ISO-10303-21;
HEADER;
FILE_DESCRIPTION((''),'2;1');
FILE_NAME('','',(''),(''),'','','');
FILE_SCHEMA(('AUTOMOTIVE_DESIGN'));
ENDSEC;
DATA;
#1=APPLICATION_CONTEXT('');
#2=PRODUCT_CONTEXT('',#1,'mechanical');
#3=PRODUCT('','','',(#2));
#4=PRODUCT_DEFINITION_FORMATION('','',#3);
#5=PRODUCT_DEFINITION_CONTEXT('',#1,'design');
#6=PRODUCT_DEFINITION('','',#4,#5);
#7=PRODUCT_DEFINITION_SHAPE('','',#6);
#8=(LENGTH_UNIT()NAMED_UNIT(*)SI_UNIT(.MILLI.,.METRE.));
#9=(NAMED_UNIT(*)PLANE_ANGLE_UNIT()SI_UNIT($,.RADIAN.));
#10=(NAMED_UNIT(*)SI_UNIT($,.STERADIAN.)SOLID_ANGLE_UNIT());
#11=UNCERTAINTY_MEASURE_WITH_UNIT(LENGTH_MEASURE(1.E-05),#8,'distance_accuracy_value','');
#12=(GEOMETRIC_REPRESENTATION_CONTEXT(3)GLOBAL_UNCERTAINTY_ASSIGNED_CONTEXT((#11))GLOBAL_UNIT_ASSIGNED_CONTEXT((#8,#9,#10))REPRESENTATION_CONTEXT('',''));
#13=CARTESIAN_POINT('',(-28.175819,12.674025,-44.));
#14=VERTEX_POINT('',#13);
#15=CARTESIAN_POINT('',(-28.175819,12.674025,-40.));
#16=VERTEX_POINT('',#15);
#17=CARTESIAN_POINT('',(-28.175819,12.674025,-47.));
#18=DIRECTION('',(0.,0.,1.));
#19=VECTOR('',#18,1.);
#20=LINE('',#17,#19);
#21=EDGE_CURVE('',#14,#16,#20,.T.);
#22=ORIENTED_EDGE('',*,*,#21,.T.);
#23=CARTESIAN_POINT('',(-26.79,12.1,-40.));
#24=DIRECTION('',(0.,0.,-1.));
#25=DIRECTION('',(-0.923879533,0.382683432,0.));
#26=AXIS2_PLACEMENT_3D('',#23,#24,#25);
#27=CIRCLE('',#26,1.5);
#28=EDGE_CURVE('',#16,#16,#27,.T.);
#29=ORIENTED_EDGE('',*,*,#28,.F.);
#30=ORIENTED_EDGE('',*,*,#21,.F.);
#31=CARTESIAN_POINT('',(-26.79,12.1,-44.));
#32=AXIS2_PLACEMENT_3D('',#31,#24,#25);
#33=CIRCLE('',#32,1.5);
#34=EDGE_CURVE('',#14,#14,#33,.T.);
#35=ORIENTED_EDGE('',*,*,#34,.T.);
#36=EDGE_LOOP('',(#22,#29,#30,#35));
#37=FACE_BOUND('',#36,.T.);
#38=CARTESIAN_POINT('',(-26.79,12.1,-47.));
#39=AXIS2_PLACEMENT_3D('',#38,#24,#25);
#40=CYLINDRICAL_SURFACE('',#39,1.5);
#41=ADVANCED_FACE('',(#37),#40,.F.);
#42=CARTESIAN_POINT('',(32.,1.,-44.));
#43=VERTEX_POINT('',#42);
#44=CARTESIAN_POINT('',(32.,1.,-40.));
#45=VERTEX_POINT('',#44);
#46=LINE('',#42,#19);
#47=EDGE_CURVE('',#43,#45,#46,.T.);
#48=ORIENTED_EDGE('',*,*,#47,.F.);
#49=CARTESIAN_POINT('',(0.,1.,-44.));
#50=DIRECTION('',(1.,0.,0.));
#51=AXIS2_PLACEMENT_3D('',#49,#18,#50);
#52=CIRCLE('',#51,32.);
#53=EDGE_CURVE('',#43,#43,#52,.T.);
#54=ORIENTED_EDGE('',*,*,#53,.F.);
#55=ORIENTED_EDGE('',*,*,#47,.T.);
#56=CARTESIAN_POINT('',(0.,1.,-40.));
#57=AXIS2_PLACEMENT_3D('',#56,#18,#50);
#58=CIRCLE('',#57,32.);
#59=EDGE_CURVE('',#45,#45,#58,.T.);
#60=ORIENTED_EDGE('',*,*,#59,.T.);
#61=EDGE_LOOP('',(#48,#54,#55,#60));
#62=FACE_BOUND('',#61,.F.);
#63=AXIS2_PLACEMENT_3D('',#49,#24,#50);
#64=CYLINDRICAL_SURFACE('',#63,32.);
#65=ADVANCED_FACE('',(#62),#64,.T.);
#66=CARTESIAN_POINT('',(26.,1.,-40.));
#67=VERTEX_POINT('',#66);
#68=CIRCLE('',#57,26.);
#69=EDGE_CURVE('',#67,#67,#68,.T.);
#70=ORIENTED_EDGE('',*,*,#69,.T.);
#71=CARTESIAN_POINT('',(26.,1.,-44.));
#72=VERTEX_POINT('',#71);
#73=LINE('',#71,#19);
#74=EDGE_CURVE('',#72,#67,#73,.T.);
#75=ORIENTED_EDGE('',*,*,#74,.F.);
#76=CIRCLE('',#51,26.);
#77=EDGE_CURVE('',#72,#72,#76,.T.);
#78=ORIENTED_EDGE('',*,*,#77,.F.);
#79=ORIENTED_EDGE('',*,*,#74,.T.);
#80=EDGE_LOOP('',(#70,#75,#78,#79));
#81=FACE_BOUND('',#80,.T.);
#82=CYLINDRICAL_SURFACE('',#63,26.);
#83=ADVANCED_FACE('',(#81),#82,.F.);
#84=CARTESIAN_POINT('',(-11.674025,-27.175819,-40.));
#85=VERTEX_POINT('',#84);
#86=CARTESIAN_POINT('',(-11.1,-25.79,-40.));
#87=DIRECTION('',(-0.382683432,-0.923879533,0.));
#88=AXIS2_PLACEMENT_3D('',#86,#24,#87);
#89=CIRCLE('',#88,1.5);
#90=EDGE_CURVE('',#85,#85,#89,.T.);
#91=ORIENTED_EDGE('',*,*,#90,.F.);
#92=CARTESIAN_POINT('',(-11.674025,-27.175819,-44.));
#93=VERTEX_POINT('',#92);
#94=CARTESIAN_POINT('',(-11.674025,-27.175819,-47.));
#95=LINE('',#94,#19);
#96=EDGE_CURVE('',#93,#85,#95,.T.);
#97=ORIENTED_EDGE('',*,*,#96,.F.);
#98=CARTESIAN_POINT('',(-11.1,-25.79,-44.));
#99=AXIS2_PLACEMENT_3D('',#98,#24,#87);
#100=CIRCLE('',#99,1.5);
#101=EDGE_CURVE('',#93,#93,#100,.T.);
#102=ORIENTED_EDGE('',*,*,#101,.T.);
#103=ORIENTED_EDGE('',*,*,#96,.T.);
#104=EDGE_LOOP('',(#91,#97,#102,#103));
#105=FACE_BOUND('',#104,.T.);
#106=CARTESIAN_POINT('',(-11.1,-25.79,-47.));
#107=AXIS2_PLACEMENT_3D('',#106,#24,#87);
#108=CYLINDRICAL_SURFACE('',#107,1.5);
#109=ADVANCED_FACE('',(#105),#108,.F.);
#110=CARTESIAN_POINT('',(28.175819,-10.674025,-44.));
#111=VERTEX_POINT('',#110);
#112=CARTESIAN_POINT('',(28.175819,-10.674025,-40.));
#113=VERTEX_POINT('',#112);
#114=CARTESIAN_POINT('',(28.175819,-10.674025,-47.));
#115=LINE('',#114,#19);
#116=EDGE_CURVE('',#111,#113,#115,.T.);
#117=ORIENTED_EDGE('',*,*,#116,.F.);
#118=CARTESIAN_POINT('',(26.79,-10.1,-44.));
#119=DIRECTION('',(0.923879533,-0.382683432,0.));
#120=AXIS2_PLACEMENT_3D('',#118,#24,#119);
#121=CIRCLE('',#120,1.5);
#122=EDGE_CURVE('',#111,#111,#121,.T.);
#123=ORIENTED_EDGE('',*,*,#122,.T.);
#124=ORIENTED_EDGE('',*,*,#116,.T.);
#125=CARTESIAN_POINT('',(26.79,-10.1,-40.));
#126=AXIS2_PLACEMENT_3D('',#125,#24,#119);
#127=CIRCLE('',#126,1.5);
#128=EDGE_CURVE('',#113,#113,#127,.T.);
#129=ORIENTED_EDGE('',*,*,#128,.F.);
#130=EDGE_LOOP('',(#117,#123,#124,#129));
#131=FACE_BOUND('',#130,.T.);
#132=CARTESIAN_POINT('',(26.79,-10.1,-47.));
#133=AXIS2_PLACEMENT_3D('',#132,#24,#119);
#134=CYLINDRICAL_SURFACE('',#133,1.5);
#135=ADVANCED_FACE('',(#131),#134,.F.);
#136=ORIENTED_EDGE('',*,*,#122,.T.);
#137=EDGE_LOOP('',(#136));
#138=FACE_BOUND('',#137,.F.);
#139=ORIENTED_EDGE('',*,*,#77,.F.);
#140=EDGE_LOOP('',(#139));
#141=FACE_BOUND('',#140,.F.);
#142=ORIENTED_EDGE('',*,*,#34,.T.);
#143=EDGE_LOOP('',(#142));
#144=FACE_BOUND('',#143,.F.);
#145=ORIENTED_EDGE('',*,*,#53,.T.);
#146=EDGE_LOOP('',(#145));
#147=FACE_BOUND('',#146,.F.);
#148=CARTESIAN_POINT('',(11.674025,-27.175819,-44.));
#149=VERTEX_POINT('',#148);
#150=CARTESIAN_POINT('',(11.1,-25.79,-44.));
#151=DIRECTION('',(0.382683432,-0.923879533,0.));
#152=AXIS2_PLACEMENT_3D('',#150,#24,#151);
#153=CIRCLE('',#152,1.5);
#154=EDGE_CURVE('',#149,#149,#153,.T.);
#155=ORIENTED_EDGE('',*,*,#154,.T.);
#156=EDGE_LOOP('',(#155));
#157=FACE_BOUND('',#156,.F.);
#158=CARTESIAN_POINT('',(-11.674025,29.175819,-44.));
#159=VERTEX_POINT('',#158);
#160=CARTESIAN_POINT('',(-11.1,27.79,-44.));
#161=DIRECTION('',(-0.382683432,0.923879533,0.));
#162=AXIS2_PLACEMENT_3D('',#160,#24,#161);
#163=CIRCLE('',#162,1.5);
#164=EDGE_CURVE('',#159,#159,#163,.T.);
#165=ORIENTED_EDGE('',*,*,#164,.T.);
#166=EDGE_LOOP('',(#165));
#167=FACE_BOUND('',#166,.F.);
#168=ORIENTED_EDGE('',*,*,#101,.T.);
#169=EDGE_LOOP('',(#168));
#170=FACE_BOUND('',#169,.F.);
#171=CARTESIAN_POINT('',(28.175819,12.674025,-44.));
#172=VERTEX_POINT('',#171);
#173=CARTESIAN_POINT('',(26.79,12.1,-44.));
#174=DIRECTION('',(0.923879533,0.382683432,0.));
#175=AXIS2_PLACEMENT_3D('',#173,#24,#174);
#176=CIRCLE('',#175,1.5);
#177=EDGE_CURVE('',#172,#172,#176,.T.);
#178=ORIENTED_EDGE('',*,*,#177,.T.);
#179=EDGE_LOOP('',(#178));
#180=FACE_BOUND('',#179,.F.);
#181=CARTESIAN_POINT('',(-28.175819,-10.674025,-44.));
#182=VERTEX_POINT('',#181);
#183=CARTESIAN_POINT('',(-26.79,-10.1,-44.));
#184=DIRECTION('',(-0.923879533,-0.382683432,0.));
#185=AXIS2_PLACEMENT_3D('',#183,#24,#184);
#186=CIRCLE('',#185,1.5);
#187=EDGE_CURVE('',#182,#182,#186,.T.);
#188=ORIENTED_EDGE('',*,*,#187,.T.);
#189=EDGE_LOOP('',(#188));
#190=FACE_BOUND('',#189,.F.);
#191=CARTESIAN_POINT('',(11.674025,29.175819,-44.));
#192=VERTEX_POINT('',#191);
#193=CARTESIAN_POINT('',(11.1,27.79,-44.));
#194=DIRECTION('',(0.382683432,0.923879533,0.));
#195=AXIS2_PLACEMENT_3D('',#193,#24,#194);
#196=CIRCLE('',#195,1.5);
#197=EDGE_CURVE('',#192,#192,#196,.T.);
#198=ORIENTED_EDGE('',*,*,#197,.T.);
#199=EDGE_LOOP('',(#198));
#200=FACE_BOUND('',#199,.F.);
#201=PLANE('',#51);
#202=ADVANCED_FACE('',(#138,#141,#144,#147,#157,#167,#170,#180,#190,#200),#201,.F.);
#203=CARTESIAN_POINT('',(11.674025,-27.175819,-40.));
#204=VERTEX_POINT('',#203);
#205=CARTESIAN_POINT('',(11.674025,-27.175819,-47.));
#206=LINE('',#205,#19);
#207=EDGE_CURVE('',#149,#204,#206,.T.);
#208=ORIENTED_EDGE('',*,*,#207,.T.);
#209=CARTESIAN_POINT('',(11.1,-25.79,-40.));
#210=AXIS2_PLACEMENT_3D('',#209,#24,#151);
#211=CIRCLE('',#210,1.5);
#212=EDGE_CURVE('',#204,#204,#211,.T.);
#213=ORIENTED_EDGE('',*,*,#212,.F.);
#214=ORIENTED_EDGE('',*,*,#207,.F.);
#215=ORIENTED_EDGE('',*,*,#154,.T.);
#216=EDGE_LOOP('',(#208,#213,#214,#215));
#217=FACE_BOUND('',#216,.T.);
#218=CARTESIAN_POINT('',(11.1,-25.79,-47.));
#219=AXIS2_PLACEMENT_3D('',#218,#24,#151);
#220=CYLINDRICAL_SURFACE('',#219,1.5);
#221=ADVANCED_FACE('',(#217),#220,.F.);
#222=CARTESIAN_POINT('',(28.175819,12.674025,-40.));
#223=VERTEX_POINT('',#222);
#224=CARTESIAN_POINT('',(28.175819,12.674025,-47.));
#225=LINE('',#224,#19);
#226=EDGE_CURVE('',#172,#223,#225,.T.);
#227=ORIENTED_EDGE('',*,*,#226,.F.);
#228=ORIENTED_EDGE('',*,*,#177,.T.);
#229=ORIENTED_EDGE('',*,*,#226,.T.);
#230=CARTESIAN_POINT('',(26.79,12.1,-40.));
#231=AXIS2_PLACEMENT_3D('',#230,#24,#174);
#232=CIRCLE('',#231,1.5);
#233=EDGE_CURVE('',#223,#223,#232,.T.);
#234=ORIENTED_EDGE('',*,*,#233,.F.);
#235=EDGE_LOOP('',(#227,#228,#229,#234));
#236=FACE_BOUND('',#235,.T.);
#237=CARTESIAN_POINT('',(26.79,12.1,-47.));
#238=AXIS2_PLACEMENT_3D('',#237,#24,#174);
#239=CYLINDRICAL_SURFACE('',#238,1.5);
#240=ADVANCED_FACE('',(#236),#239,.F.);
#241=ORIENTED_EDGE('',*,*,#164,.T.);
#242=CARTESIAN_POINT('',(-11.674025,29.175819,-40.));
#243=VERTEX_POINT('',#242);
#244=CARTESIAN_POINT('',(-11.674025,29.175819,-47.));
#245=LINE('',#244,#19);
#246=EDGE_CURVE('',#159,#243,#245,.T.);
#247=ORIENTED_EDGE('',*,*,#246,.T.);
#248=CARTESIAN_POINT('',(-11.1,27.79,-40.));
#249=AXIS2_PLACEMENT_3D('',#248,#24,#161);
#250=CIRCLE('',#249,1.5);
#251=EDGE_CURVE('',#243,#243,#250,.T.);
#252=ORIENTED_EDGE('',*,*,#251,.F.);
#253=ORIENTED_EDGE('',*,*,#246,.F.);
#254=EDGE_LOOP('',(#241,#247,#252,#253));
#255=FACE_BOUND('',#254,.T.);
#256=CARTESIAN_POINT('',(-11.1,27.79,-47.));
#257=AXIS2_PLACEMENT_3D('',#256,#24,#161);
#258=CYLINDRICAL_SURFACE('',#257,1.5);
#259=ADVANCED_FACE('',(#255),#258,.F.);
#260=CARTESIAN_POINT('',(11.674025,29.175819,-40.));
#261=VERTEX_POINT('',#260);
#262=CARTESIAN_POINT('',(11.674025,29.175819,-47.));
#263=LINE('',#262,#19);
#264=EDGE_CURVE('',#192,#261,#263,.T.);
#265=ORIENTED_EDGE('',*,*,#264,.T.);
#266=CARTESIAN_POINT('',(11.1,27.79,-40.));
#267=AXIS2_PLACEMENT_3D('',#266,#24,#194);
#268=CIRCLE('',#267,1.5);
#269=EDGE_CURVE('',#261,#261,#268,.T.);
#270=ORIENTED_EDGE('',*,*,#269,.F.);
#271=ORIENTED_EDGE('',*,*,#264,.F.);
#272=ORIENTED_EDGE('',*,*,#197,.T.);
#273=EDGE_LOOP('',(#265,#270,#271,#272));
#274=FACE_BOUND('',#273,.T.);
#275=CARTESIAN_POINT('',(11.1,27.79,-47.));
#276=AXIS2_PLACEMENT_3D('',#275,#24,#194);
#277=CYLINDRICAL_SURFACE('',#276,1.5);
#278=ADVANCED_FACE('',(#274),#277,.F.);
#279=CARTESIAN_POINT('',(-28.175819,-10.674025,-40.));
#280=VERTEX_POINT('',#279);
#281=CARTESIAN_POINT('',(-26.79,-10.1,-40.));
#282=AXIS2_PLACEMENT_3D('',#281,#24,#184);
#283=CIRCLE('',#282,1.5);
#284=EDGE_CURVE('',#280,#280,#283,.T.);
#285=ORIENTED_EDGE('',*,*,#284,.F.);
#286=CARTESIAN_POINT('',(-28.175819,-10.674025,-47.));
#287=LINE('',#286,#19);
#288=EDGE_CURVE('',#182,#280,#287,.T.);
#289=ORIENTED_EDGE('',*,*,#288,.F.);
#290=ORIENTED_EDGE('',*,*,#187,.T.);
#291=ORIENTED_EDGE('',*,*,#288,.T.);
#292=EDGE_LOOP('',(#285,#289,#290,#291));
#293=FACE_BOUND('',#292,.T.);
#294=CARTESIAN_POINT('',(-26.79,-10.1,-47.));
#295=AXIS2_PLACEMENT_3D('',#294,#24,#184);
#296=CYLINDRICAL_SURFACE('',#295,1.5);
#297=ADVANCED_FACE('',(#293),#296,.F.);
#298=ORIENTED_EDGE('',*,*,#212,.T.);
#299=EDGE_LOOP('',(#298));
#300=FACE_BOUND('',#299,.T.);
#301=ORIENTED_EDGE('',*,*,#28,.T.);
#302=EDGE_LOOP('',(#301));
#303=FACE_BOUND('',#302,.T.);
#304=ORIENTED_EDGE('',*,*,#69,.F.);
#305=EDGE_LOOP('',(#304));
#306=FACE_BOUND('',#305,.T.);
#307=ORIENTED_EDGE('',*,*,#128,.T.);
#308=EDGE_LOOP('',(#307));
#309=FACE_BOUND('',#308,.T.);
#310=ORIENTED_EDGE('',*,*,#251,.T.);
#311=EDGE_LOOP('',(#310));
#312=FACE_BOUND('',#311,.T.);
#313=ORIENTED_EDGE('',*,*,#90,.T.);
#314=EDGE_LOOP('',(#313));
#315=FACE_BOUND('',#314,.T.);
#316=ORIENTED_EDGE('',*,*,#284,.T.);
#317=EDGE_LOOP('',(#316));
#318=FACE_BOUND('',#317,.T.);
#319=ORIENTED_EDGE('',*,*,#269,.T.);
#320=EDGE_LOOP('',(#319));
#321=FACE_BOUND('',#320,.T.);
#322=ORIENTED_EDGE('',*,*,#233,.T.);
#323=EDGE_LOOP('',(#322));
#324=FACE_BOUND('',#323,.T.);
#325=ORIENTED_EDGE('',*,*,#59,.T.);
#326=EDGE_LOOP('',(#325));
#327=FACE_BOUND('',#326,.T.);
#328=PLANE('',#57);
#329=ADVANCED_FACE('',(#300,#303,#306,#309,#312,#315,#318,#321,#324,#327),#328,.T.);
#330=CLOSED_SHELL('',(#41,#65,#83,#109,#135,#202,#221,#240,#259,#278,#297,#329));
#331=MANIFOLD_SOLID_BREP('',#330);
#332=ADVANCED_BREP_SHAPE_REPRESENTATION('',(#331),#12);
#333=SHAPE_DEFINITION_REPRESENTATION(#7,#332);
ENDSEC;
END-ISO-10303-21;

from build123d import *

# Parameters (mm, degrees)
CYLINDER1907_R               = 3
CYLINDER1907_DEPTH           = 3
CYLINDER1907_PLACEMENT_ANGLE = 67.5
CYLINDER1905_R               = 3
CYLINDER1905_DEPTH           = 3
CYLINDER1905_PLACEMENT_ANGLE = 112.5
CYLINDER1297_R               = 3
CYLINDER1297_DEPTH           = 3
CYLINDER1297_PLACEMENT_ANGLE = 157.5
CYLINDER1908_R               = 3
CYLINDER1908_DEPTH           = 3
CYLINDER1908_PLACEMENT_ANGLE = 202.5
CYLINDER1296_R               = 3
CYLINDER1296_DEPTH           = 3
CYLINDER1296_PLACEMENT_ANGLE = 112.5
CYLINDER1906_R               = 3
CYLINDER1906_DEPTH           = 3
CYLINDER1906_PLACEMENT_ANGLE = 67.5
CYLINDER1298_R               = 3
CYLINDER1298_DEPTH           = 3
CYLINDER1298_PLACEMENT_ANGLE = 22.5
CYLINDER1904_R               = 3
CYLINDER1904_DEPTH           = 3
CYLINDER1904_PLACEMENT_ANGLE = 22.5
CYLINDER1896_R               = 1.5
CYLINDER1896_DEPTH           = 20
CYLINDER1896_PLACEMENT_ANGLE = 67.5
CYLINDER1899_R               = 1.5
CYLINDER1899_DEPTH           = 20
CYLINDER1899_PLACEMENT_ANGLE = 112.5
CYLINDER1902_R               = 1.5
CYLINDER1902_DEPTH           = 20
CYLINDER1902_PLACEMENT_ANGLE = 157.5
CYLINDER1903_R               = 1.5
CYLINDER1903_DEPTH           = 20
CYLINDER1903_PLACEMENT_ANGLE = 202.5
CYLINDER1900_R               = 1.5
CYLINDER1900_DEPTH           = 20
CYLINDER1900_PLACEMENT_ANGLE = 112.5
CYLINDER1897_R               = 1.5
CYLINDER1897_DEPTH           = 20
CYLINDER1897_PLACEMENT_ANGLE = 67.5
CYLINDER1901_R               = 1.5
CYLINDER1901_DEPTH           = 20
CYLINDER1901_PLACEMENT_ANGLE = 22.5
CYLINDER1898_R               = 1.5
CYLINDER1898_DEPTH           = 20
CYLINDER1898_PLACEMENT_ANGLE = 22.5
TUBE012_R                    = 32
TUBE012_R_2                  = 26
TUBE012_DEPTH                = 4


with BuildPart() as v_lec1907:
    # Cylinder1907 → Cylinder1907 (new body)
    with BuildSketch(Plane.XY):
        Circle(CYLINDER1907_R)
    extrude(amount=CYLINDER1907_DEPTH)


with BuildPart() as v_lec1907_1:
    # Cylinder1907 placement: moved
    add(v_lec1907.part.moved(Location((11.1, 26.79, -50))).rotate(Axis((11.1, 26.79, -50), (0, 0, 1)), CYLINDER1907_PLACEMENT_ANGLE))


with BuildPart() as v_lec1905:
    # Cylinder1905 → Cylinder1905 (new body)
    with BuildSketch(Plane.XY):
        Circle(CYLINDER1905_R)
    extrude(amount=CYLINDER1905_DEPTH)


with BuildPart() as v_lec1905_1:
    # Cylinder1905 placement: moved
    add(v_lec1905.part.moved(Location((-11.1, 26.79, -50))).rotate(Axis((-11.1, 26.79, -50), (0, 0, 1)), CYLINDER1905_PLACEMENT_ANGLE))


with BuildPart() as v_lec1297:
    # Cylinder1297 → Cylinder1297 (new body)
    with BuildSketch(Plane.XY):
        Circle(CYLINDER1297_R)
    extrude(amount=CYLINDER1297_DEPTH)


with BuildPart() as v_lec1297_1:
    # Cylinder1297 placement: moved
    add(v_lec1297.part.moved(Location((-26.79, 11.1, -50))).rotate(Axis((-26.79, 11.1, -50), (0, 0, 1)), CYLINDER1297_PLACEMENT_ANGLE))


with BuildPart() as v_lec1908:
    # Cylinder1908 → Cylinder1908 (new body)
    with BuildSketch(Plane.XY):
        Circle(CYLINDER1908_R)
    extrude(amount=CYLINDER1908_DEPTH)


with BuildPart() as v_lec1908_1:
    # Cylinder1908 placement: moved
    add(v_lec1908.part.moved(Location((-26.79, -11.1, -50))).rotate(Axis((-26.79, -11.1, -50), (0, 0, 1)), CYLINDER1908_PLACEMENT_ANGLE))


with BuildPart() as v_lec1296:
    # Cylinder1296 → Cylinder1296 (new body)
    with BuildSketch(Plane.XY):
        Circle(CYLINDER1296_R)
    extrude(amount=CYLINDER1296_DEPTH)


with BuildPart() as v_lec1296_1:
    # Cylinder1296 placement: moved
    add(v_lec1296.part.moved(Location((-11.1, -26.79, -50))).rotate(Axis((-11.1, -26.79, -50), (0, 0, -1)), CYLINDER1296_PLACEMENT_ANGLE))


with BuildPart() as v_lec1906:
    # Cylinder1906 → Cylinder1906 (new body)
    with BuildSketch(Plane.XY):
        Circle(CYLINDER1906_R)
    extrude(amount=CYLINDER1906_DEPTH)


with BuildPart() as v_lec1906_1:
    # Cylinder1906 placement: moved
    add(v_lec1906.part.moved(Location((11.1, -26.79, -50))).rotate(Axis((11.1, -26.79, -50), (0, 0, -1)), CYLINDER1906_PLACEMENT_ANGLE))


with BuildPart() as v_lec1298:
    # Cylinder1298 → Cylinder1298 (new body)
    with BuildSketch(Plane.XY):
        Circle(CYLINDER1298_R)
    extrude(amount=CYLINDER1298_DEPTH)


with BuildPart() as v_lec1298_1:
    # Cylinder1298 placement: moved
    add(v_lec1298.part.moved(Location((26.79, -11.1, -50))).rotate(Axis((26.79, -11.1, -50), (0, 0, -1)), CYLINDER1298_PLACEMENT_ANGLE))


with BuildPart() as compound856:
    # Cylinder1904 → Cylinder1904 (new body)
    with BuildSketch(Plane.XY):
        Circle(CYLINDER1904_R)
    extrude(amount=CYLINDER1904_DEPTH)


with BuildPart() as compound856_1:
    # Cylinder1904 placement: moved
    add(compound856.part.moved(Location((26.79, 11.1, -50))).rotate(Axis((26.79, 11.1, -50), (0, 0, 1)), CYLINDER1904_PLACEMENT_ANGLE))

    # Compound856: union Válec1907, Válec1905, Válec1297, Válec1908, Válec1296, Válec1906, Válec1298
    add(v_lec1907_1.part)
    add(v_lec1905_1.part)
    add(v_lec1297_1.part)
    add(v_lec1908_1.part)
    add(v_lec1296_1.part)
    add(v_lec1906_1.part)
    add(v_lec1298_1.part)


with BuildPart() as v_lec1896:
    # Cylinder1896 → Cylinder1896 (new body)
    with BuildSketch(Plane.XY):
        Circle(CYLINDER1896_R)
    extrude(amount=CYLINDER1896_DEPTH)


with BuildPart() as v_lec1896_1:
    # Cylinder1896 placement: moved
    add(v_lec1896.part.moved(Location((11.1, 26.79, -50))).rotate(Axis((11.1, 26.79, -50), (0, 0, 1)), CYLINDER1896_PLACEMENT_ANGLE))


with BuildPart() as v_lec1899:
    # Cylinder1899 → Cylinder1899 (new body)
    with BuildSketch(Plane.XY):
        Circle(CYLINDER1899_R)
    extrude(amount=CYLINDER1899_DEPTH)


with BuildPart() as v_lec1899_1:
    # Cylinder1899 placement: moved
    add(v_lec1899.part.moved(Location((-11.1, 26.79, -50))).rotate(Axis((-11.1, 26.79, -50), (0, 0, 1)), CYLINDER1899_PLACEMENT_ANGLE))


with BuildPart() as v_lec1902:
    # Cylinder1902 → Cylinder1902 (new body)
    with BuildSketch(Plane.XY):
        Circle(CYLINDER1902_R)
    extrude(amount=CYLINDER1902_DEPTH)


with BuildPart() as v_lec1902_1:
    # Cylinder1902 placement: moved
    add(v_lec1902.part.moved(Location((-26.79, 11.1, -50))).rotate(Axis((-26.79, 11.1, -50), (0, 0, 1)), CYLINDER1902_PLACEMENT_ANGLE))


with BuildPart() as v_lec1903:
    # Cylinder1903 → Cylinder1903 (new body)
    with BuildSketch(Plane.XY):
        Circle(CYLINDER1903_R)
    extrude(amount=CYLINDER1903_DEPTH)


with BuildPart() as v_lec1903_1:
    # Cylinder1903 placement: moved
    add(v_lec1903.part.moved(Location((-26.79, -11.1, -50))).rotate(Axis((-26.79, -11.1, -50), (0, 0, 1)), CYLINDER1903_PLACEMENT_ANGLE))


with BuildPart() as v_lec1900:
    # Cylinder1900 → Cylinder1900 (new body)
    with BuildSketch(Plane.XY):
        Circle(CYLINDER1900_R)
    extrude(amount=CYLINDER1900_DEPTH)


with BuildPart() as v_lec1900_1:
    # Cylinder1900 placement: moved
    add(v_lec1900.part.moved(Location((-11.1, -26.79, -50))).rotate(Axis((-11.1, -26.79, -50), (0, 0, -1)), CYLINDER1900_PLACEMENT_ANGLE))


with BuildPart() as v_lec1897:
    # Cylinder1897 → Cylinder1897 (new body)
    with BuildSketch(Plane.XY):
        Circle(CYLINDER1897_R)
    extrude(amount=CYLINDER1897_DEPTH)


with BuildPart() as v_lec1897_1:
    # Cylinder1897 placement: moved
    add(v_lec1897.part.moved(Location((11.1, -26.79, -50))).rotate(Axis((11.1, -26.79, -50), (0, 0, -1)), CYLINDER1897_PLACEMENT_ANGLE))


with BuildPart() as v_lec1901:
    # Cylinder1901 → Cylinder1901 (new body)
    with BuildSketch(Plane.XY):
        Circle(CYLINDER1901_R)
    extrude(amount=CYLINDER1901_DEPTH)


with BuildPart() as v_lec1901_1:
    # Cylinder1901 placement: moved
    add(v_lec1901.part.moved(Location((26.79, -11.1, -50))).rotate(Axis((26.79, -11.1, -50), (0, 0, -1)), CYLINDER1901_PLACEMENT_ANGLE))


with BuildPart() as compound855:
    # Cylinder1898 → Cylinder1898 (new body)
    with BuildSketch(Plane.XY):
        Circle(CYLINDER1898_R)
    extrude(amount=CYLINDER1898_DEPTH)


with BuildPart() as compound855_1:
    # Cylinder1898 placement: moved
    add(compound855.part.moved(Location((26.79, 11.1, -50))).rotate(Axis((26.79, 11.1, -50), (0, 0, 1)), CYLINDER1898_PLACEMENT_ANGLE))

    # Compound855: union Válec1896, Válec1899, Válec1902, Válec1903, Válec1900, Válec1897, Válec1901
    add(v_lec1896_1.part)
    add(v_lec1899_1.part)
    add(v_lec1902_1.part)
    add(v_lec1903_1.part)
    add(v_lec1900_1.part)
    add(v_lec1897_1.part)
    add(v_lec1901_1.part)


with BuildPart() as t_mini_washer:
    # Tube012 → Tube012 (new body)
    with BuildSketch(Plane.XY.offset(-47)):
        Circle(TUBE012_R)
        Circle(TUBE012_R_2, mode=Mode.SUBTRACT)
    extrude(amount=TUBE012_DEPTH)

    # Cut692: cut Compound855
    add(compound855_1.part, mode=Mode.SUBTRACT)


with BuildPart() as t_mini_washer_1:
    # Cut692 placement: moved
    add(t_mini_washer.part.moved(Location((0, 0, 2))))

    # Cut693: cut Compound856
    add(compound856_1.part, mode=Mode.SUBTRACT)


with BuildPart() as t_mini_washer_2:
    # Cut693 placement: moved
    add(t_mini_washer_1.part.moved(Location((0, 1, 1))))


solid = t_mini_washer_2.part
